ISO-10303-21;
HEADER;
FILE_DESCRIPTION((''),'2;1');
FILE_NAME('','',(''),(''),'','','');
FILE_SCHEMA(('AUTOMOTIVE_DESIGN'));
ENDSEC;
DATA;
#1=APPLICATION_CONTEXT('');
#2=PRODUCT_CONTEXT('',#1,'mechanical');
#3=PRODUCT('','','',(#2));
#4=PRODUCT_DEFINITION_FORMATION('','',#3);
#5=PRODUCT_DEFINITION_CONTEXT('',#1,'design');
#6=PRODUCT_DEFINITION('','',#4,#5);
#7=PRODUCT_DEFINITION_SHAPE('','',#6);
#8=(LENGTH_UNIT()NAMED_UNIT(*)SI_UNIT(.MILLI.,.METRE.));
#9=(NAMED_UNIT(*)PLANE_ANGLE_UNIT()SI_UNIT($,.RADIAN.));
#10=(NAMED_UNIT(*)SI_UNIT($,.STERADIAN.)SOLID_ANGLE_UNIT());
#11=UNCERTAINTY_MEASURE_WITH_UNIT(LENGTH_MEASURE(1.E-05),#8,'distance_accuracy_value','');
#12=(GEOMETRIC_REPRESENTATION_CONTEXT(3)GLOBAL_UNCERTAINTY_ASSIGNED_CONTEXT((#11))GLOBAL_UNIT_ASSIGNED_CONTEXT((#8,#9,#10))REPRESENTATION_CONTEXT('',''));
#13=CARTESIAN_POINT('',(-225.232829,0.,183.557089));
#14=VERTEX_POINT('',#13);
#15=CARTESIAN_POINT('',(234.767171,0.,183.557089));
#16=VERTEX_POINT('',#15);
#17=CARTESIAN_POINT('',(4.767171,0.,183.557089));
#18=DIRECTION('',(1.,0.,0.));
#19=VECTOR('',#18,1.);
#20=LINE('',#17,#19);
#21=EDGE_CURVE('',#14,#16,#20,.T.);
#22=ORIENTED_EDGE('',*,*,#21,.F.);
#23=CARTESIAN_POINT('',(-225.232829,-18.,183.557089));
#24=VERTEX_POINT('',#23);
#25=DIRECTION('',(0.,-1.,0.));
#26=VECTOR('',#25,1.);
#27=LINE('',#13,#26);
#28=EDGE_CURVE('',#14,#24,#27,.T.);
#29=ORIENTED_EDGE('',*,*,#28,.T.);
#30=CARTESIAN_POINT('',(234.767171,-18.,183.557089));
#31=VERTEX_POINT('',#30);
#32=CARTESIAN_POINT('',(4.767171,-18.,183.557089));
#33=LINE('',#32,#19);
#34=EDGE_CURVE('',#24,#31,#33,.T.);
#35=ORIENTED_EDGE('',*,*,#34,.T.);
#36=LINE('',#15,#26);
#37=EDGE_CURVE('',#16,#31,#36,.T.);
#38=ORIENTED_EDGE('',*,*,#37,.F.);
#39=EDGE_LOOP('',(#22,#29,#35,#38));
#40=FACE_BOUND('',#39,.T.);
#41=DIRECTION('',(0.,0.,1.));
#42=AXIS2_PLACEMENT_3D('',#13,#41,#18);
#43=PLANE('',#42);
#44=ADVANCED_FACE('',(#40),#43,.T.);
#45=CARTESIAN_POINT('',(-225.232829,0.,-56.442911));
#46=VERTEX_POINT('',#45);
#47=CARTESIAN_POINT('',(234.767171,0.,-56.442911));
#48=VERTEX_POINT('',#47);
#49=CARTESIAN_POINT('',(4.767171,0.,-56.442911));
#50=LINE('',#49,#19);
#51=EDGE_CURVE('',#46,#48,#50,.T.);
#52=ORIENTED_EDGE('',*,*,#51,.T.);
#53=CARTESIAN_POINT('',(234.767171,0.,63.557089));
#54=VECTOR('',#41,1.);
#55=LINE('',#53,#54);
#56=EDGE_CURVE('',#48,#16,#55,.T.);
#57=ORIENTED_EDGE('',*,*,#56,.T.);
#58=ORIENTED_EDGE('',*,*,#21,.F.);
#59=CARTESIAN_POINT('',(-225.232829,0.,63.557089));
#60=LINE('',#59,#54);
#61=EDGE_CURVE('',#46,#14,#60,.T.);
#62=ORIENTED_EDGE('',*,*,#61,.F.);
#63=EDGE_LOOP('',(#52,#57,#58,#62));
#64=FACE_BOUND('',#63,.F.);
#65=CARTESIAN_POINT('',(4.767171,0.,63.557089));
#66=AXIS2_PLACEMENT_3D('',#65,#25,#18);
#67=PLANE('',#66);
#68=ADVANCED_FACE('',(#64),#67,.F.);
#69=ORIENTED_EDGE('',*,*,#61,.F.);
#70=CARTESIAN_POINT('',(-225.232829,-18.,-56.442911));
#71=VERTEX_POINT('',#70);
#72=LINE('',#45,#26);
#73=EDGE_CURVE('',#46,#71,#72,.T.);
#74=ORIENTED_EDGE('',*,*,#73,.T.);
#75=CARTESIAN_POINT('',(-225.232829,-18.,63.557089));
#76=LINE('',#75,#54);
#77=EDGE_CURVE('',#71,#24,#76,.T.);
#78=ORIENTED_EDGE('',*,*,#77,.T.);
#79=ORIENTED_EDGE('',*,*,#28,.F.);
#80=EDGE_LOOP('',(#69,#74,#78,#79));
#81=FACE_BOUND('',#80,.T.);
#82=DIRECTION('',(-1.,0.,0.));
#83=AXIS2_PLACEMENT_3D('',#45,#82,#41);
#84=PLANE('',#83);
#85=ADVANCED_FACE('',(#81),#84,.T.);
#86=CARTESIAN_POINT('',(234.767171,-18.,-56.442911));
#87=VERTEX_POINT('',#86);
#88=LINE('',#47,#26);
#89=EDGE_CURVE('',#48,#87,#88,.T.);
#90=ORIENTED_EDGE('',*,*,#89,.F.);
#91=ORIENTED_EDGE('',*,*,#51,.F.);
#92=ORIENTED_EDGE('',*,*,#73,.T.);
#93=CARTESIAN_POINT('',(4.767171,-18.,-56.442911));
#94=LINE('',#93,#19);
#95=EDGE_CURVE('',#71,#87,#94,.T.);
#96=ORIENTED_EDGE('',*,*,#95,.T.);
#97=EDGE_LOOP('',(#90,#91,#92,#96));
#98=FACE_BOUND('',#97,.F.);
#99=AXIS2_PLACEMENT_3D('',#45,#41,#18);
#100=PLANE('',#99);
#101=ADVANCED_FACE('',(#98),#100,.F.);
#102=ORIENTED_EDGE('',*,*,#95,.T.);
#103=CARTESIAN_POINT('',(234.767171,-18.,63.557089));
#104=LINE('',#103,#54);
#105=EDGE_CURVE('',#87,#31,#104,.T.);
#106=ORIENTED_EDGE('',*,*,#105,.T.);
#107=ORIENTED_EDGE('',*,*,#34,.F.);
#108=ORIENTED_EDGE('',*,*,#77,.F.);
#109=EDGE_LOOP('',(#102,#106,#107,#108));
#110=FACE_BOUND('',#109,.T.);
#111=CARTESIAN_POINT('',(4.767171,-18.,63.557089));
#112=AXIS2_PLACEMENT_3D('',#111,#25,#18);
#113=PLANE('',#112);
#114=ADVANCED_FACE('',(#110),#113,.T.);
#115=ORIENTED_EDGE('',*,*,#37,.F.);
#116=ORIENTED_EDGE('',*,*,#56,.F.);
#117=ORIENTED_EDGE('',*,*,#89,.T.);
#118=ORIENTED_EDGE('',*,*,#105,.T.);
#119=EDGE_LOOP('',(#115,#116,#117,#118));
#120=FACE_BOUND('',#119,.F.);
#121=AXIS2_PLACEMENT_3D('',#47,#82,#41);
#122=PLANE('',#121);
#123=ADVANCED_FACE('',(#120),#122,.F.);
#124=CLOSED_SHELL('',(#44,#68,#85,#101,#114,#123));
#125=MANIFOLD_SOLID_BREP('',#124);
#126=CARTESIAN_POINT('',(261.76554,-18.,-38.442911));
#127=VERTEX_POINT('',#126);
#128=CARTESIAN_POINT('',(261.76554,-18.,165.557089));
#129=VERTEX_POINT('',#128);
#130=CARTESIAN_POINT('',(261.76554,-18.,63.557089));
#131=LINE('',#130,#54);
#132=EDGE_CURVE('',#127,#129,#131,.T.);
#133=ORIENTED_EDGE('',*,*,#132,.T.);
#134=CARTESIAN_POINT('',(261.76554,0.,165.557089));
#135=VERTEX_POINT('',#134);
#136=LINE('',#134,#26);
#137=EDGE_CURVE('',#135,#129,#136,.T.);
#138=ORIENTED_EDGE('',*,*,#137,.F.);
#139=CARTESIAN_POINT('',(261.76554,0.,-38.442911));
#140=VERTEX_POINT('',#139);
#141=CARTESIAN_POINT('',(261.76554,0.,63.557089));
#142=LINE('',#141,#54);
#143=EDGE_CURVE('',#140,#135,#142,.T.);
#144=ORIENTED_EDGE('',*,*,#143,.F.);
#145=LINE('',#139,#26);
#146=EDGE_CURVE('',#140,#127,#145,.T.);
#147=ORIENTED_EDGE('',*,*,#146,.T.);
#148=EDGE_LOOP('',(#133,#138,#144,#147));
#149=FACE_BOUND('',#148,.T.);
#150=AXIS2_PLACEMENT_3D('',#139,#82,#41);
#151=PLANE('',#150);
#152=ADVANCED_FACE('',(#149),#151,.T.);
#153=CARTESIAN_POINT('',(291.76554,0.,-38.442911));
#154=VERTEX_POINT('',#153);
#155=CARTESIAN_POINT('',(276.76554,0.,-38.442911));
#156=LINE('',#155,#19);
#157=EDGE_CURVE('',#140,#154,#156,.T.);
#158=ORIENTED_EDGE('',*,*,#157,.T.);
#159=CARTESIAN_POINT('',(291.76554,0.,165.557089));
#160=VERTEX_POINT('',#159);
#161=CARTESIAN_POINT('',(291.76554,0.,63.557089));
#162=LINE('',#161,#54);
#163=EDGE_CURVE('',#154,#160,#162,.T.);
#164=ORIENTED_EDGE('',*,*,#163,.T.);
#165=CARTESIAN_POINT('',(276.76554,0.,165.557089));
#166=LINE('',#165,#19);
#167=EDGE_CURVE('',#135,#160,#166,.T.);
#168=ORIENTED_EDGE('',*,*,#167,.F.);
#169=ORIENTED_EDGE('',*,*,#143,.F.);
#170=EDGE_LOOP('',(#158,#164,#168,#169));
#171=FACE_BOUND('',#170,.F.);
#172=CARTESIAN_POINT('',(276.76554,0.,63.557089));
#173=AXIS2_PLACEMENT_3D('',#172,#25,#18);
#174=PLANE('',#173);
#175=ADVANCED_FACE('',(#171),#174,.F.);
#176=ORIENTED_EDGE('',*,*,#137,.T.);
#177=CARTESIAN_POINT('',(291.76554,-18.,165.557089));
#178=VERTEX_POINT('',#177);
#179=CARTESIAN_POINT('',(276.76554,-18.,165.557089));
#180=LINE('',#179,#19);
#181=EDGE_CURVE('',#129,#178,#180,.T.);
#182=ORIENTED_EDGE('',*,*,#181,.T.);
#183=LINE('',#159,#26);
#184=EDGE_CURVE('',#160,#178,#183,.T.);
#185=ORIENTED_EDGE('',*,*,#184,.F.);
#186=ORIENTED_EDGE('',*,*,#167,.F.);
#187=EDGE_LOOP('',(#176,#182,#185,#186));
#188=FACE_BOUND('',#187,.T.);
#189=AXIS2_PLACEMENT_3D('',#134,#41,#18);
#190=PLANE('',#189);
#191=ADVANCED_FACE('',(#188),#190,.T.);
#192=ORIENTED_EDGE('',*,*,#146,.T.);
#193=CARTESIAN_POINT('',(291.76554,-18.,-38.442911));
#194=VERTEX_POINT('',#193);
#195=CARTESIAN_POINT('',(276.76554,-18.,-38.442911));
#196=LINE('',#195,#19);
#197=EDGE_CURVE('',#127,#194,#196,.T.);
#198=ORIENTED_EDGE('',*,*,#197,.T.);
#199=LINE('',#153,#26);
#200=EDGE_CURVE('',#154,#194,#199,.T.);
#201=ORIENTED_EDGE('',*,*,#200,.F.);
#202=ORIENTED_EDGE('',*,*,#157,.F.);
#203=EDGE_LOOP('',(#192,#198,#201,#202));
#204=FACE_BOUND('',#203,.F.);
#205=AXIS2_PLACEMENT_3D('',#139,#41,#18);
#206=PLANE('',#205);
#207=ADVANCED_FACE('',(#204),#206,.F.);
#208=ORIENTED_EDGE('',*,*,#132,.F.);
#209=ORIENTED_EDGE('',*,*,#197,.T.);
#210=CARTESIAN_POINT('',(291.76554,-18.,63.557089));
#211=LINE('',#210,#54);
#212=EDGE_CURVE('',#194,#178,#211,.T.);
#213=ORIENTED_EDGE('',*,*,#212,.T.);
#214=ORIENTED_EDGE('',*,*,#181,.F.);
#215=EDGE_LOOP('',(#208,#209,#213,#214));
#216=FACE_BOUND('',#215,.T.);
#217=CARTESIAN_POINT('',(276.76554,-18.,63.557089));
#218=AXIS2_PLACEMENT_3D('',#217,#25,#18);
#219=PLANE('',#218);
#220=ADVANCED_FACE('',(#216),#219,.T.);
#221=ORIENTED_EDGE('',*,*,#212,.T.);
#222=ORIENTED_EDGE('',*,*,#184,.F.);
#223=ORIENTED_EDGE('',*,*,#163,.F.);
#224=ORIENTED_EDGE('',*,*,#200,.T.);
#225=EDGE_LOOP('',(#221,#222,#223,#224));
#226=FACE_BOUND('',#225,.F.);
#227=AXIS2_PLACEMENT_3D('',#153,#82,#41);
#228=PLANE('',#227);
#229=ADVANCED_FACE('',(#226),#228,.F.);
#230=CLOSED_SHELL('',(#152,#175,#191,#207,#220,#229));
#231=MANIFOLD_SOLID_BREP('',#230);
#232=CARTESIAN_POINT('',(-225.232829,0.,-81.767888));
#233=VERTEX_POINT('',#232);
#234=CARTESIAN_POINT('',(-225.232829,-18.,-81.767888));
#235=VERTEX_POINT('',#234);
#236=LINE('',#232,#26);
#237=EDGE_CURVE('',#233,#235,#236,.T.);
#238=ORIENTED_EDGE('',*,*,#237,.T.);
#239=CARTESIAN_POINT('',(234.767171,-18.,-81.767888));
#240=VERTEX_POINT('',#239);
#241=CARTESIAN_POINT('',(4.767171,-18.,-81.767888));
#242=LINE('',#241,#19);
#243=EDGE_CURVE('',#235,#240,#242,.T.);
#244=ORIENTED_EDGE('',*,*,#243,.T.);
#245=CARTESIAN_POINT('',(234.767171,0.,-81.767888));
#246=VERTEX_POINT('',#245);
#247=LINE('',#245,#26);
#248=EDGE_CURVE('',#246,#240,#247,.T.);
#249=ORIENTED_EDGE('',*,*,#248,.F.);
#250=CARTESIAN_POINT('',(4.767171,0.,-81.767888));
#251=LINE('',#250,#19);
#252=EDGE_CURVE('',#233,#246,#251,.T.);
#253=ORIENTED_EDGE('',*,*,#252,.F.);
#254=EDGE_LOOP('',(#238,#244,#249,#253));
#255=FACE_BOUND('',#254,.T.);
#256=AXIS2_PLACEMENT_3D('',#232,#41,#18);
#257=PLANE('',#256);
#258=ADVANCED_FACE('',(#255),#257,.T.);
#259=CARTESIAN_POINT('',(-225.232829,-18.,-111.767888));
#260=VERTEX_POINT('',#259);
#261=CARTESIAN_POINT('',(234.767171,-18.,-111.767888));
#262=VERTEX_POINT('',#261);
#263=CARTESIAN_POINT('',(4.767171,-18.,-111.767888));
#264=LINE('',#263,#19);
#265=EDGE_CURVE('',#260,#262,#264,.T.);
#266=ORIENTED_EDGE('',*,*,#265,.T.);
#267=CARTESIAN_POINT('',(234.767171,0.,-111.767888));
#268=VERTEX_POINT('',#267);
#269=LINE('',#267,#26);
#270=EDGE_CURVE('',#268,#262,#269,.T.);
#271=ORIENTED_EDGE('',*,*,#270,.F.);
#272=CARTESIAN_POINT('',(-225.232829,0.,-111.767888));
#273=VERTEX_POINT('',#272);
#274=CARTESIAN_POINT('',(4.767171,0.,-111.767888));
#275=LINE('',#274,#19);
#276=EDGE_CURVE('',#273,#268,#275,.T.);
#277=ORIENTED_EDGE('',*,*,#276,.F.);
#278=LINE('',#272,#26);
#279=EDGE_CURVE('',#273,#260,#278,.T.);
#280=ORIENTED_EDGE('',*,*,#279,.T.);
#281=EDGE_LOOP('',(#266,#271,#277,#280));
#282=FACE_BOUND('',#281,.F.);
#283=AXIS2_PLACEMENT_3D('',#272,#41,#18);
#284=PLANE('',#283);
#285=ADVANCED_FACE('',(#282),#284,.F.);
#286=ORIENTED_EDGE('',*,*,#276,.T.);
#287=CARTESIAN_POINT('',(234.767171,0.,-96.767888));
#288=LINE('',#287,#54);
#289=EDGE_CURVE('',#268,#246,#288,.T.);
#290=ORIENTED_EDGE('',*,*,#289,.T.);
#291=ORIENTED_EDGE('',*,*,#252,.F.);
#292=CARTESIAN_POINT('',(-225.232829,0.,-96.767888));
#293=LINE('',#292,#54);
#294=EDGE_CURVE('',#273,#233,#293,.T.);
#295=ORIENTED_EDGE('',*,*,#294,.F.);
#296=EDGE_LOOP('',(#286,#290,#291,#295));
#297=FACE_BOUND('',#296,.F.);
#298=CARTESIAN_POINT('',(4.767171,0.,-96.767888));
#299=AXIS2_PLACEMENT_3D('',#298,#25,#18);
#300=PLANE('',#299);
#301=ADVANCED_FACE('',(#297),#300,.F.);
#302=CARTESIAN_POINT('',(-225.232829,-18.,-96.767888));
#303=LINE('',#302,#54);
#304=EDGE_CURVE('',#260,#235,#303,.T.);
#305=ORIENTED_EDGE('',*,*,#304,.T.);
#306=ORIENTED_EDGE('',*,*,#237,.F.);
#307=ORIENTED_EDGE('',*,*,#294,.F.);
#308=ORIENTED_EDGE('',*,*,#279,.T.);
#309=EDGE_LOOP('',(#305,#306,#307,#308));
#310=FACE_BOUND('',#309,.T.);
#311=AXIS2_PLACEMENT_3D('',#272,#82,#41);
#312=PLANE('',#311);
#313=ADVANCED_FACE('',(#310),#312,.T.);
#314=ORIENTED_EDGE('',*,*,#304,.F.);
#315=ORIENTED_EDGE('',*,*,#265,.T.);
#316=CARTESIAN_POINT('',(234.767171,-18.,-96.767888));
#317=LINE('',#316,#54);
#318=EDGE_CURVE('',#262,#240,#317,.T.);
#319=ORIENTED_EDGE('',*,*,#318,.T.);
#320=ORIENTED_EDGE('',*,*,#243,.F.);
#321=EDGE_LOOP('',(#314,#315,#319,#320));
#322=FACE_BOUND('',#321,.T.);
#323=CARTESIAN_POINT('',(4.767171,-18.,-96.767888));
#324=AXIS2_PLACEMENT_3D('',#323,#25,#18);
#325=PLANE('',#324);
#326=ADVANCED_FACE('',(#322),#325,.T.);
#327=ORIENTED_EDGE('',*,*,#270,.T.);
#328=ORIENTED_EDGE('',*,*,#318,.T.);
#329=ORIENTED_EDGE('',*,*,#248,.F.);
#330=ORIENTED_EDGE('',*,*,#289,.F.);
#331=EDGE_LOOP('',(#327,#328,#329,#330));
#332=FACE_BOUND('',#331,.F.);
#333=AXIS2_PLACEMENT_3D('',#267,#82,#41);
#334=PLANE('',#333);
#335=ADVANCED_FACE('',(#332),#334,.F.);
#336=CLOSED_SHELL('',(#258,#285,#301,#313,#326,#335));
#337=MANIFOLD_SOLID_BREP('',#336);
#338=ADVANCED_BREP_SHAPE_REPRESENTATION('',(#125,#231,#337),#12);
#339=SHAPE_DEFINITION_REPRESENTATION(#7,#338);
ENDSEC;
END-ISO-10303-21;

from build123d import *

# Parameters (mm, degrees)
F0_W     = 460
F0_H     = 240
F0_H_2   = 30
F0_W_2   = 30
F0_H_3   = 204
F1_DEPTH = 18


with BuildPart() as f1:
    # F0 (on Front) → F1 (new body)
    with BuildSketch(Plane.XZ):
        with Locations((4.767171, 63.557089)):
            Rectangle(F0_W, F0_H)
        with Locations((4.767171, -96.767888)):
            Rectangle(F0_W, F0_H_2)
        with Locations((276.76554, 63.557089)):
            Rectangle(F0_W_2, F0_H_3)
    extrude(amount=F1_DEPTH)


solid = f1.part
